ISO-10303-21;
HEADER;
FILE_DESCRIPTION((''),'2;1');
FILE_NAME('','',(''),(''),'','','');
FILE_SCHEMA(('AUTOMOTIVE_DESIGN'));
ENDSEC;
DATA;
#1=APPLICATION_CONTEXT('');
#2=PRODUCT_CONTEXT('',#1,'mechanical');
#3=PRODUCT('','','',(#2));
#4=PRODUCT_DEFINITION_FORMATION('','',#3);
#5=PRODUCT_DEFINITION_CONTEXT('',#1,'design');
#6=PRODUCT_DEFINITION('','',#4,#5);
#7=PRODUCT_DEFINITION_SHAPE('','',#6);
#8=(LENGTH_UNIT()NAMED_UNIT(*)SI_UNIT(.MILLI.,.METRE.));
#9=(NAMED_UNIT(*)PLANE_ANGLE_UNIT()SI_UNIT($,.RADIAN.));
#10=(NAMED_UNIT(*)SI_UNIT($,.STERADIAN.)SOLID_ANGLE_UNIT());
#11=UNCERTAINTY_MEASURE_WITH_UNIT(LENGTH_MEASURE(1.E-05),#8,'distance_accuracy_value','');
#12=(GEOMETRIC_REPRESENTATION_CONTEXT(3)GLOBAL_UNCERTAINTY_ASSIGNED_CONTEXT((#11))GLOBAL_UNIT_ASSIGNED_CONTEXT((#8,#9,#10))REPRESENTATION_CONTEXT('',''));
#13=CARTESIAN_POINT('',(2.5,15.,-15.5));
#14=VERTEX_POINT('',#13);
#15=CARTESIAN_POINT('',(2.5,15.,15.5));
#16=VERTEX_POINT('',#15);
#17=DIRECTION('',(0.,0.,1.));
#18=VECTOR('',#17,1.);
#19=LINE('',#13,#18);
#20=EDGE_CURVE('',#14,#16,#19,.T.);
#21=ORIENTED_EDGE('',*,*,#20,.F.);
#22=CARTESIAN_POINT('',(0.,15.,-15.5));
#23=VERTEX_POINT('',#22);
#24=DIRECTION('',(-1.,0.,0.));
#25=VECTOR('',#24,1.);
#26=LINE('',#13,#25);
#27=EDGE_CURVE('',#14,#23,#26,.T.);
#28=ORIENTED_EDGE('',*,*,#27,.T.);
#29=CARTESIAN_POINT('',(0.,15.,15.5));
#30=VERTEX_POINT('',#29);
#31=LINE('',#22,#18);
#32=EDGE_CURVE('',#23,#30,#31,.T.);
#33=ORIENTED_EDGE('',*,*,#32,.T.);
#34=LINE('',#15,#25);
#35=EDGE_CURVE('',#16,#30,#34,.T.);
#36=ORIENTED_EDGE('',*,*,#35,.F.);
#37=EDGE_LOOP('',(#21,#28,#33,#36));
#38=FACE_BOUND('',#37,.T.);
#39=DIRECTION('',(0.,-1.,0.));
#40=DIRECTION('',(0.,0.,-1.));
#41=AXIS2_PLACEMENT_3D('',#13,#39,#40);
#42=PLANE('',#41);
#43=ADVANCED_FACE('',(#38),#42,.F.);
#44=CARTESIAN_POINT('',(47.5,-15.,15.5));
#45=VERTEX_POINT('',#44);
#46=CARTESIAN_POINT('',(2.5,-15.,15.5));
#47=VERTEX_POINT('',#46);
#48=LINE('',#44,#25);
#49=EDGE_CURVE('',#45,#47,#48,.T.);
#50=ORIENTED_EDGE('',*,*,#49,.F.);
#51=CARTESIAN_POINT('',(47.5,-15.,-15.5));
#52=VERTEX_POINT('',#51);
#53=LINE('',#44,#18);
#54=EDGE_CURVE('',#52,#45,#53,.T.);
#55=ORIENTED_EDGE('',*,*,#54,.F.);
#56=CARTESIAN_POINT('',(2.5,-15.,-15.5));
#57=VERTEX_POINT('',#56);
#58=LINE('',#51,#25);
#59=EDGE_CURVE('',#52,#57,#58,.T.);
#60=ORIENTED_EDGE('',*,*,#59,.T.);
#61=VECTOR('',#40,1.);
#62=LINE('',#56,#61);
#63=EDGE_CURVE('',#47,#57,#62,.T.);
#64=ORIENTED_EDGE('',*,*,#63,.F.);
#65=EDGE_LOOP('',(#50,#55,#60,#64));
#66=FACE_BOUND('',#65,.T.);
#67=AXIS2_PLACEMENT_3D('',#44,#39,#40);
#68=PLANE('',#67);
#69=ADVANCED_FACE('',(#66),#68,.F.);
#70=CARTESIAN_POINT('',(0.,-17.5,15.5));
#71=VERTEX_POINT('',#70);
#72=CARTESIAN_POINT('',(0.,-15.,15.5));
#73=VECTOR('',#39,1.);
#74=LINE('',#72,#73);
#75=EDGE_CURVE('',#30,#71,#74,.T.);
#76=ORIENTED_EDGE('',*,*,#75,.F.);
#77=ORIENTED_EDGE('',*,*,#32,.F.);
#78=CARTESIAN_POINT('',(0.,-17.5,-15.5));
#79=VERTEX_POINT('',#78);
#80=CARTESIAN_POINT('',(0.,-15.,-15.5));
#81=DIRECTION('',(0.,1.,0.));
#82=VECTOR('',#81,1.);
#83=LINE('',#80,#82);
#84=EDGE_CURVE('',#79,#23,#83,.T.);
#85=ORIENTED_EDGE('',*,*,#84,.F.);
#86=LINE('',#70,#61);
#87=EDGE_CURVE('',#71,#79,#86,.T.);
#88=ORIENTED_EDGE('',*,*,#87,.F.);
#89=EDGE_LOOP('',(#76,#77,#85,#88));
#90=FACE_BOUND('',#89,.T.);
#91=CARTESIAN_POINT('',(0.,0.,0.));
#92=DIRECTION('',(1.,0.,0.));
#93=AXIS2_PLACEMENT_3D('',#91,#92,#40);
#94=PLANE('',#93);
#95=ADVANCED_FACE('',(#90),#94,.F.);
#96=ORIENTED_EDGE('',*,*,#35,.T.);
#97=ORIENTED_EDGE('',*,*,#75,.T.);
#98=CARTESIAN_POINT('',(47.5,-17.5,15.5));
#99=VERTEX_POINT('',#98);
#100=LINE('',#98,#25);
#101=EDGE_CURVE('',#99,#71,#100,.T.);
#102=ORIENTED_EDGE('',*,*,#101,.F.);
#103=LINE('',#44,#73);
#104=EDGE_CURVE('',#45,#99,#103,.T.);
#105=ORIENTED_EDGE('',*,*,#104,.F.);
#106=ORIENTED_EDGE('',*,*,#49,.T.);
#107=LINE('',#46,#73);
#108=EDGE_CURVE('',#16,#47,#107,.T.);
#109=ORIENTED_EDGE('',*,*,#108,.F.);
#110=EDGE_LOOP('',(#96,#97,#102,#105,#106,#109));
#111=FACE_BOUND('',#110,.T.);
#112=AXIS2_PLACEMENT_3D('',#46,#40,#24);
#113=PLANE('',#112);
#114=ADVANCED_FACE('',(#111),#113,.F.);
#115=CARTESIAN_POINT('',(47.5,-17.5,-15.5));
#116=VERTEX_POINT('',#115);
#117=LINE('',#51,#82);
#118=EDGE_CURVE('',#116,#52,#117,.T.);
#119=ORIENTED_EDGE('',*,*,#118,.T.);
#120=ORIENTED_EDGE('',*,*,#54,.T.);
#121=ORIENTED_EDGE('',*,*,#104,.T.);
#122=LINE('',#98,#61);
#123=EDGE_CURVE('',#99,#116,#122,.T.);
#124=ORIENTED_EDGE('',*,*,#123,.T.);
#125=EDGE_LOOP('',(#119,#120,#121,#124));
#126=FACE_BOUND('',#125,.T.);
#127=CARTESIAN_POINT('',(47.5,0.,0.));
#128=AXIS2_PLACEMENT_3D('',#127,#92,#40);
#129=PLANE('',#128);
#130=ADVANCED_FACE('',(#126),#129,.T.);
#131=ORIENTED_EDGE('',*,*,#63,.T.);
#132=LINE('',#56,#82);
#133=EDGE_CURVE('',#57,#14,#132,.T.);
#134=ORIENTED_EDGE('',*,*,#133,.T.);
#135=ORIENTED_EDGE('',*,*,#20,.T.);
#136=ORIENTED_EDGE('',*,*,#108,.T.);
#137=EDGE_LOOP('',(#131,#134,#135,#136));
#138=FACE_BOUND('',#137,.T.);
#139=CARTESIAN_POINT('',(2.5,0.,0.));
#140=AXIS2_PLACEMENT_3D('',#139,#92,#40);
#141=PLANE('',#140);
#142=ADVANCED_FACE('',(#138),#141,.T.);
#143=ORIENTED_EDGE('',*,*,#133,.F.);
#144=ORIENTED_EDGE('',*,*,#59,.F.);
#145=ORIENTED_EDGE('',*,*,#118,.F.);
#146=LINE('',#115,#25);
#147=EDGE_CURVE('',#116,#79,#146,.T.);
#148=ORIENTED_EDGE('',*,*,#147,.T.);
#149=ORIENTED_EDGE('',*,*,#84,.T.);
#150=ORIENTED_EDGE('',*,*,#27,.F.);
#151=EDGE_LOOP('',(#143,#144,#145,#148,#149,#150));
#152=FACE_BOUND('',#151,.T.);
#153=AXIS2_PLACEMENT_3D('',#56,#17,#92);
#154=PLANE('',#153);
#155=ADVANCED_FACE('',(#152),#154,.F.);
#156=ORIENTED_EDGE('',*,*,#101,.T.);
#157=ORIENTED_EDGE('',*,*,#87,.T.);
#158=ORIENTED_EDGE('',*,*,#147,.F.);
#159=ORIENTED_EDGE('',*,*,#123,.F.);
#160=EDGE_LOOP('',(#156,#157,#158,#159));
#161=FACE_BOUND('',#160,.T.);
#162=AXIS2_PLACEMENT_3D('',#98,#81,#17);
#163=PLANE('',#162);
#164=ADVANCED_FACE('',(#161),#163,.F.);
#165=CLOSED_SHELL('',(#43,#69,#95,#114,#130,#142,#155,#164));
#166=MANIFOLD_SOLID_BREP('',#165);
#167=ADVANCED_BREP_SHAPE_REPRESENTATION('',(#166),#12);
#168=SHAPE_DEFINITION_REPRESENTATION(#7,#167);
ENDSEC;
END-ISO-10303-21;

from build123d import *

# Parameters (mm, degrees)
SKETCH1_W           = 31
SKETCH1_H           = 30
BOSS_EXTRUDE1_DEPTH = 2.5
SKETCH2_W           = 31
SKETCH2_H           = 2.5
BOSS_EXTRUDE2_DEPTH = 47.5


with BuildPart() as part:
    # Sketch1 → Boss-Extrude1 (new body)
    with BuildSketch(Plane(origin=(0, 0, 0), x_dir=(0, 0, -1), z_dir=(1, 0, 0))):
        Rectangle(SKETCH1_W, SKETCH1_H)
    extrude(amount=BOSS_EXTRUDE1_DEPTH)

    # Sketch2 → Boss-Extrude2 (add)
    with BuildSketch(Plane(origin=(0, 0, 0), x_dir=(0, 0, -1), z_dir=(1, 0, 0))):
        with Locations((0, -16.25)):
            Rectangle(SKETCH2_W, SKETCH2_H)
    extrude(amount=BOSS_EXTRUDE2_DEPTH)


solid = part.part
